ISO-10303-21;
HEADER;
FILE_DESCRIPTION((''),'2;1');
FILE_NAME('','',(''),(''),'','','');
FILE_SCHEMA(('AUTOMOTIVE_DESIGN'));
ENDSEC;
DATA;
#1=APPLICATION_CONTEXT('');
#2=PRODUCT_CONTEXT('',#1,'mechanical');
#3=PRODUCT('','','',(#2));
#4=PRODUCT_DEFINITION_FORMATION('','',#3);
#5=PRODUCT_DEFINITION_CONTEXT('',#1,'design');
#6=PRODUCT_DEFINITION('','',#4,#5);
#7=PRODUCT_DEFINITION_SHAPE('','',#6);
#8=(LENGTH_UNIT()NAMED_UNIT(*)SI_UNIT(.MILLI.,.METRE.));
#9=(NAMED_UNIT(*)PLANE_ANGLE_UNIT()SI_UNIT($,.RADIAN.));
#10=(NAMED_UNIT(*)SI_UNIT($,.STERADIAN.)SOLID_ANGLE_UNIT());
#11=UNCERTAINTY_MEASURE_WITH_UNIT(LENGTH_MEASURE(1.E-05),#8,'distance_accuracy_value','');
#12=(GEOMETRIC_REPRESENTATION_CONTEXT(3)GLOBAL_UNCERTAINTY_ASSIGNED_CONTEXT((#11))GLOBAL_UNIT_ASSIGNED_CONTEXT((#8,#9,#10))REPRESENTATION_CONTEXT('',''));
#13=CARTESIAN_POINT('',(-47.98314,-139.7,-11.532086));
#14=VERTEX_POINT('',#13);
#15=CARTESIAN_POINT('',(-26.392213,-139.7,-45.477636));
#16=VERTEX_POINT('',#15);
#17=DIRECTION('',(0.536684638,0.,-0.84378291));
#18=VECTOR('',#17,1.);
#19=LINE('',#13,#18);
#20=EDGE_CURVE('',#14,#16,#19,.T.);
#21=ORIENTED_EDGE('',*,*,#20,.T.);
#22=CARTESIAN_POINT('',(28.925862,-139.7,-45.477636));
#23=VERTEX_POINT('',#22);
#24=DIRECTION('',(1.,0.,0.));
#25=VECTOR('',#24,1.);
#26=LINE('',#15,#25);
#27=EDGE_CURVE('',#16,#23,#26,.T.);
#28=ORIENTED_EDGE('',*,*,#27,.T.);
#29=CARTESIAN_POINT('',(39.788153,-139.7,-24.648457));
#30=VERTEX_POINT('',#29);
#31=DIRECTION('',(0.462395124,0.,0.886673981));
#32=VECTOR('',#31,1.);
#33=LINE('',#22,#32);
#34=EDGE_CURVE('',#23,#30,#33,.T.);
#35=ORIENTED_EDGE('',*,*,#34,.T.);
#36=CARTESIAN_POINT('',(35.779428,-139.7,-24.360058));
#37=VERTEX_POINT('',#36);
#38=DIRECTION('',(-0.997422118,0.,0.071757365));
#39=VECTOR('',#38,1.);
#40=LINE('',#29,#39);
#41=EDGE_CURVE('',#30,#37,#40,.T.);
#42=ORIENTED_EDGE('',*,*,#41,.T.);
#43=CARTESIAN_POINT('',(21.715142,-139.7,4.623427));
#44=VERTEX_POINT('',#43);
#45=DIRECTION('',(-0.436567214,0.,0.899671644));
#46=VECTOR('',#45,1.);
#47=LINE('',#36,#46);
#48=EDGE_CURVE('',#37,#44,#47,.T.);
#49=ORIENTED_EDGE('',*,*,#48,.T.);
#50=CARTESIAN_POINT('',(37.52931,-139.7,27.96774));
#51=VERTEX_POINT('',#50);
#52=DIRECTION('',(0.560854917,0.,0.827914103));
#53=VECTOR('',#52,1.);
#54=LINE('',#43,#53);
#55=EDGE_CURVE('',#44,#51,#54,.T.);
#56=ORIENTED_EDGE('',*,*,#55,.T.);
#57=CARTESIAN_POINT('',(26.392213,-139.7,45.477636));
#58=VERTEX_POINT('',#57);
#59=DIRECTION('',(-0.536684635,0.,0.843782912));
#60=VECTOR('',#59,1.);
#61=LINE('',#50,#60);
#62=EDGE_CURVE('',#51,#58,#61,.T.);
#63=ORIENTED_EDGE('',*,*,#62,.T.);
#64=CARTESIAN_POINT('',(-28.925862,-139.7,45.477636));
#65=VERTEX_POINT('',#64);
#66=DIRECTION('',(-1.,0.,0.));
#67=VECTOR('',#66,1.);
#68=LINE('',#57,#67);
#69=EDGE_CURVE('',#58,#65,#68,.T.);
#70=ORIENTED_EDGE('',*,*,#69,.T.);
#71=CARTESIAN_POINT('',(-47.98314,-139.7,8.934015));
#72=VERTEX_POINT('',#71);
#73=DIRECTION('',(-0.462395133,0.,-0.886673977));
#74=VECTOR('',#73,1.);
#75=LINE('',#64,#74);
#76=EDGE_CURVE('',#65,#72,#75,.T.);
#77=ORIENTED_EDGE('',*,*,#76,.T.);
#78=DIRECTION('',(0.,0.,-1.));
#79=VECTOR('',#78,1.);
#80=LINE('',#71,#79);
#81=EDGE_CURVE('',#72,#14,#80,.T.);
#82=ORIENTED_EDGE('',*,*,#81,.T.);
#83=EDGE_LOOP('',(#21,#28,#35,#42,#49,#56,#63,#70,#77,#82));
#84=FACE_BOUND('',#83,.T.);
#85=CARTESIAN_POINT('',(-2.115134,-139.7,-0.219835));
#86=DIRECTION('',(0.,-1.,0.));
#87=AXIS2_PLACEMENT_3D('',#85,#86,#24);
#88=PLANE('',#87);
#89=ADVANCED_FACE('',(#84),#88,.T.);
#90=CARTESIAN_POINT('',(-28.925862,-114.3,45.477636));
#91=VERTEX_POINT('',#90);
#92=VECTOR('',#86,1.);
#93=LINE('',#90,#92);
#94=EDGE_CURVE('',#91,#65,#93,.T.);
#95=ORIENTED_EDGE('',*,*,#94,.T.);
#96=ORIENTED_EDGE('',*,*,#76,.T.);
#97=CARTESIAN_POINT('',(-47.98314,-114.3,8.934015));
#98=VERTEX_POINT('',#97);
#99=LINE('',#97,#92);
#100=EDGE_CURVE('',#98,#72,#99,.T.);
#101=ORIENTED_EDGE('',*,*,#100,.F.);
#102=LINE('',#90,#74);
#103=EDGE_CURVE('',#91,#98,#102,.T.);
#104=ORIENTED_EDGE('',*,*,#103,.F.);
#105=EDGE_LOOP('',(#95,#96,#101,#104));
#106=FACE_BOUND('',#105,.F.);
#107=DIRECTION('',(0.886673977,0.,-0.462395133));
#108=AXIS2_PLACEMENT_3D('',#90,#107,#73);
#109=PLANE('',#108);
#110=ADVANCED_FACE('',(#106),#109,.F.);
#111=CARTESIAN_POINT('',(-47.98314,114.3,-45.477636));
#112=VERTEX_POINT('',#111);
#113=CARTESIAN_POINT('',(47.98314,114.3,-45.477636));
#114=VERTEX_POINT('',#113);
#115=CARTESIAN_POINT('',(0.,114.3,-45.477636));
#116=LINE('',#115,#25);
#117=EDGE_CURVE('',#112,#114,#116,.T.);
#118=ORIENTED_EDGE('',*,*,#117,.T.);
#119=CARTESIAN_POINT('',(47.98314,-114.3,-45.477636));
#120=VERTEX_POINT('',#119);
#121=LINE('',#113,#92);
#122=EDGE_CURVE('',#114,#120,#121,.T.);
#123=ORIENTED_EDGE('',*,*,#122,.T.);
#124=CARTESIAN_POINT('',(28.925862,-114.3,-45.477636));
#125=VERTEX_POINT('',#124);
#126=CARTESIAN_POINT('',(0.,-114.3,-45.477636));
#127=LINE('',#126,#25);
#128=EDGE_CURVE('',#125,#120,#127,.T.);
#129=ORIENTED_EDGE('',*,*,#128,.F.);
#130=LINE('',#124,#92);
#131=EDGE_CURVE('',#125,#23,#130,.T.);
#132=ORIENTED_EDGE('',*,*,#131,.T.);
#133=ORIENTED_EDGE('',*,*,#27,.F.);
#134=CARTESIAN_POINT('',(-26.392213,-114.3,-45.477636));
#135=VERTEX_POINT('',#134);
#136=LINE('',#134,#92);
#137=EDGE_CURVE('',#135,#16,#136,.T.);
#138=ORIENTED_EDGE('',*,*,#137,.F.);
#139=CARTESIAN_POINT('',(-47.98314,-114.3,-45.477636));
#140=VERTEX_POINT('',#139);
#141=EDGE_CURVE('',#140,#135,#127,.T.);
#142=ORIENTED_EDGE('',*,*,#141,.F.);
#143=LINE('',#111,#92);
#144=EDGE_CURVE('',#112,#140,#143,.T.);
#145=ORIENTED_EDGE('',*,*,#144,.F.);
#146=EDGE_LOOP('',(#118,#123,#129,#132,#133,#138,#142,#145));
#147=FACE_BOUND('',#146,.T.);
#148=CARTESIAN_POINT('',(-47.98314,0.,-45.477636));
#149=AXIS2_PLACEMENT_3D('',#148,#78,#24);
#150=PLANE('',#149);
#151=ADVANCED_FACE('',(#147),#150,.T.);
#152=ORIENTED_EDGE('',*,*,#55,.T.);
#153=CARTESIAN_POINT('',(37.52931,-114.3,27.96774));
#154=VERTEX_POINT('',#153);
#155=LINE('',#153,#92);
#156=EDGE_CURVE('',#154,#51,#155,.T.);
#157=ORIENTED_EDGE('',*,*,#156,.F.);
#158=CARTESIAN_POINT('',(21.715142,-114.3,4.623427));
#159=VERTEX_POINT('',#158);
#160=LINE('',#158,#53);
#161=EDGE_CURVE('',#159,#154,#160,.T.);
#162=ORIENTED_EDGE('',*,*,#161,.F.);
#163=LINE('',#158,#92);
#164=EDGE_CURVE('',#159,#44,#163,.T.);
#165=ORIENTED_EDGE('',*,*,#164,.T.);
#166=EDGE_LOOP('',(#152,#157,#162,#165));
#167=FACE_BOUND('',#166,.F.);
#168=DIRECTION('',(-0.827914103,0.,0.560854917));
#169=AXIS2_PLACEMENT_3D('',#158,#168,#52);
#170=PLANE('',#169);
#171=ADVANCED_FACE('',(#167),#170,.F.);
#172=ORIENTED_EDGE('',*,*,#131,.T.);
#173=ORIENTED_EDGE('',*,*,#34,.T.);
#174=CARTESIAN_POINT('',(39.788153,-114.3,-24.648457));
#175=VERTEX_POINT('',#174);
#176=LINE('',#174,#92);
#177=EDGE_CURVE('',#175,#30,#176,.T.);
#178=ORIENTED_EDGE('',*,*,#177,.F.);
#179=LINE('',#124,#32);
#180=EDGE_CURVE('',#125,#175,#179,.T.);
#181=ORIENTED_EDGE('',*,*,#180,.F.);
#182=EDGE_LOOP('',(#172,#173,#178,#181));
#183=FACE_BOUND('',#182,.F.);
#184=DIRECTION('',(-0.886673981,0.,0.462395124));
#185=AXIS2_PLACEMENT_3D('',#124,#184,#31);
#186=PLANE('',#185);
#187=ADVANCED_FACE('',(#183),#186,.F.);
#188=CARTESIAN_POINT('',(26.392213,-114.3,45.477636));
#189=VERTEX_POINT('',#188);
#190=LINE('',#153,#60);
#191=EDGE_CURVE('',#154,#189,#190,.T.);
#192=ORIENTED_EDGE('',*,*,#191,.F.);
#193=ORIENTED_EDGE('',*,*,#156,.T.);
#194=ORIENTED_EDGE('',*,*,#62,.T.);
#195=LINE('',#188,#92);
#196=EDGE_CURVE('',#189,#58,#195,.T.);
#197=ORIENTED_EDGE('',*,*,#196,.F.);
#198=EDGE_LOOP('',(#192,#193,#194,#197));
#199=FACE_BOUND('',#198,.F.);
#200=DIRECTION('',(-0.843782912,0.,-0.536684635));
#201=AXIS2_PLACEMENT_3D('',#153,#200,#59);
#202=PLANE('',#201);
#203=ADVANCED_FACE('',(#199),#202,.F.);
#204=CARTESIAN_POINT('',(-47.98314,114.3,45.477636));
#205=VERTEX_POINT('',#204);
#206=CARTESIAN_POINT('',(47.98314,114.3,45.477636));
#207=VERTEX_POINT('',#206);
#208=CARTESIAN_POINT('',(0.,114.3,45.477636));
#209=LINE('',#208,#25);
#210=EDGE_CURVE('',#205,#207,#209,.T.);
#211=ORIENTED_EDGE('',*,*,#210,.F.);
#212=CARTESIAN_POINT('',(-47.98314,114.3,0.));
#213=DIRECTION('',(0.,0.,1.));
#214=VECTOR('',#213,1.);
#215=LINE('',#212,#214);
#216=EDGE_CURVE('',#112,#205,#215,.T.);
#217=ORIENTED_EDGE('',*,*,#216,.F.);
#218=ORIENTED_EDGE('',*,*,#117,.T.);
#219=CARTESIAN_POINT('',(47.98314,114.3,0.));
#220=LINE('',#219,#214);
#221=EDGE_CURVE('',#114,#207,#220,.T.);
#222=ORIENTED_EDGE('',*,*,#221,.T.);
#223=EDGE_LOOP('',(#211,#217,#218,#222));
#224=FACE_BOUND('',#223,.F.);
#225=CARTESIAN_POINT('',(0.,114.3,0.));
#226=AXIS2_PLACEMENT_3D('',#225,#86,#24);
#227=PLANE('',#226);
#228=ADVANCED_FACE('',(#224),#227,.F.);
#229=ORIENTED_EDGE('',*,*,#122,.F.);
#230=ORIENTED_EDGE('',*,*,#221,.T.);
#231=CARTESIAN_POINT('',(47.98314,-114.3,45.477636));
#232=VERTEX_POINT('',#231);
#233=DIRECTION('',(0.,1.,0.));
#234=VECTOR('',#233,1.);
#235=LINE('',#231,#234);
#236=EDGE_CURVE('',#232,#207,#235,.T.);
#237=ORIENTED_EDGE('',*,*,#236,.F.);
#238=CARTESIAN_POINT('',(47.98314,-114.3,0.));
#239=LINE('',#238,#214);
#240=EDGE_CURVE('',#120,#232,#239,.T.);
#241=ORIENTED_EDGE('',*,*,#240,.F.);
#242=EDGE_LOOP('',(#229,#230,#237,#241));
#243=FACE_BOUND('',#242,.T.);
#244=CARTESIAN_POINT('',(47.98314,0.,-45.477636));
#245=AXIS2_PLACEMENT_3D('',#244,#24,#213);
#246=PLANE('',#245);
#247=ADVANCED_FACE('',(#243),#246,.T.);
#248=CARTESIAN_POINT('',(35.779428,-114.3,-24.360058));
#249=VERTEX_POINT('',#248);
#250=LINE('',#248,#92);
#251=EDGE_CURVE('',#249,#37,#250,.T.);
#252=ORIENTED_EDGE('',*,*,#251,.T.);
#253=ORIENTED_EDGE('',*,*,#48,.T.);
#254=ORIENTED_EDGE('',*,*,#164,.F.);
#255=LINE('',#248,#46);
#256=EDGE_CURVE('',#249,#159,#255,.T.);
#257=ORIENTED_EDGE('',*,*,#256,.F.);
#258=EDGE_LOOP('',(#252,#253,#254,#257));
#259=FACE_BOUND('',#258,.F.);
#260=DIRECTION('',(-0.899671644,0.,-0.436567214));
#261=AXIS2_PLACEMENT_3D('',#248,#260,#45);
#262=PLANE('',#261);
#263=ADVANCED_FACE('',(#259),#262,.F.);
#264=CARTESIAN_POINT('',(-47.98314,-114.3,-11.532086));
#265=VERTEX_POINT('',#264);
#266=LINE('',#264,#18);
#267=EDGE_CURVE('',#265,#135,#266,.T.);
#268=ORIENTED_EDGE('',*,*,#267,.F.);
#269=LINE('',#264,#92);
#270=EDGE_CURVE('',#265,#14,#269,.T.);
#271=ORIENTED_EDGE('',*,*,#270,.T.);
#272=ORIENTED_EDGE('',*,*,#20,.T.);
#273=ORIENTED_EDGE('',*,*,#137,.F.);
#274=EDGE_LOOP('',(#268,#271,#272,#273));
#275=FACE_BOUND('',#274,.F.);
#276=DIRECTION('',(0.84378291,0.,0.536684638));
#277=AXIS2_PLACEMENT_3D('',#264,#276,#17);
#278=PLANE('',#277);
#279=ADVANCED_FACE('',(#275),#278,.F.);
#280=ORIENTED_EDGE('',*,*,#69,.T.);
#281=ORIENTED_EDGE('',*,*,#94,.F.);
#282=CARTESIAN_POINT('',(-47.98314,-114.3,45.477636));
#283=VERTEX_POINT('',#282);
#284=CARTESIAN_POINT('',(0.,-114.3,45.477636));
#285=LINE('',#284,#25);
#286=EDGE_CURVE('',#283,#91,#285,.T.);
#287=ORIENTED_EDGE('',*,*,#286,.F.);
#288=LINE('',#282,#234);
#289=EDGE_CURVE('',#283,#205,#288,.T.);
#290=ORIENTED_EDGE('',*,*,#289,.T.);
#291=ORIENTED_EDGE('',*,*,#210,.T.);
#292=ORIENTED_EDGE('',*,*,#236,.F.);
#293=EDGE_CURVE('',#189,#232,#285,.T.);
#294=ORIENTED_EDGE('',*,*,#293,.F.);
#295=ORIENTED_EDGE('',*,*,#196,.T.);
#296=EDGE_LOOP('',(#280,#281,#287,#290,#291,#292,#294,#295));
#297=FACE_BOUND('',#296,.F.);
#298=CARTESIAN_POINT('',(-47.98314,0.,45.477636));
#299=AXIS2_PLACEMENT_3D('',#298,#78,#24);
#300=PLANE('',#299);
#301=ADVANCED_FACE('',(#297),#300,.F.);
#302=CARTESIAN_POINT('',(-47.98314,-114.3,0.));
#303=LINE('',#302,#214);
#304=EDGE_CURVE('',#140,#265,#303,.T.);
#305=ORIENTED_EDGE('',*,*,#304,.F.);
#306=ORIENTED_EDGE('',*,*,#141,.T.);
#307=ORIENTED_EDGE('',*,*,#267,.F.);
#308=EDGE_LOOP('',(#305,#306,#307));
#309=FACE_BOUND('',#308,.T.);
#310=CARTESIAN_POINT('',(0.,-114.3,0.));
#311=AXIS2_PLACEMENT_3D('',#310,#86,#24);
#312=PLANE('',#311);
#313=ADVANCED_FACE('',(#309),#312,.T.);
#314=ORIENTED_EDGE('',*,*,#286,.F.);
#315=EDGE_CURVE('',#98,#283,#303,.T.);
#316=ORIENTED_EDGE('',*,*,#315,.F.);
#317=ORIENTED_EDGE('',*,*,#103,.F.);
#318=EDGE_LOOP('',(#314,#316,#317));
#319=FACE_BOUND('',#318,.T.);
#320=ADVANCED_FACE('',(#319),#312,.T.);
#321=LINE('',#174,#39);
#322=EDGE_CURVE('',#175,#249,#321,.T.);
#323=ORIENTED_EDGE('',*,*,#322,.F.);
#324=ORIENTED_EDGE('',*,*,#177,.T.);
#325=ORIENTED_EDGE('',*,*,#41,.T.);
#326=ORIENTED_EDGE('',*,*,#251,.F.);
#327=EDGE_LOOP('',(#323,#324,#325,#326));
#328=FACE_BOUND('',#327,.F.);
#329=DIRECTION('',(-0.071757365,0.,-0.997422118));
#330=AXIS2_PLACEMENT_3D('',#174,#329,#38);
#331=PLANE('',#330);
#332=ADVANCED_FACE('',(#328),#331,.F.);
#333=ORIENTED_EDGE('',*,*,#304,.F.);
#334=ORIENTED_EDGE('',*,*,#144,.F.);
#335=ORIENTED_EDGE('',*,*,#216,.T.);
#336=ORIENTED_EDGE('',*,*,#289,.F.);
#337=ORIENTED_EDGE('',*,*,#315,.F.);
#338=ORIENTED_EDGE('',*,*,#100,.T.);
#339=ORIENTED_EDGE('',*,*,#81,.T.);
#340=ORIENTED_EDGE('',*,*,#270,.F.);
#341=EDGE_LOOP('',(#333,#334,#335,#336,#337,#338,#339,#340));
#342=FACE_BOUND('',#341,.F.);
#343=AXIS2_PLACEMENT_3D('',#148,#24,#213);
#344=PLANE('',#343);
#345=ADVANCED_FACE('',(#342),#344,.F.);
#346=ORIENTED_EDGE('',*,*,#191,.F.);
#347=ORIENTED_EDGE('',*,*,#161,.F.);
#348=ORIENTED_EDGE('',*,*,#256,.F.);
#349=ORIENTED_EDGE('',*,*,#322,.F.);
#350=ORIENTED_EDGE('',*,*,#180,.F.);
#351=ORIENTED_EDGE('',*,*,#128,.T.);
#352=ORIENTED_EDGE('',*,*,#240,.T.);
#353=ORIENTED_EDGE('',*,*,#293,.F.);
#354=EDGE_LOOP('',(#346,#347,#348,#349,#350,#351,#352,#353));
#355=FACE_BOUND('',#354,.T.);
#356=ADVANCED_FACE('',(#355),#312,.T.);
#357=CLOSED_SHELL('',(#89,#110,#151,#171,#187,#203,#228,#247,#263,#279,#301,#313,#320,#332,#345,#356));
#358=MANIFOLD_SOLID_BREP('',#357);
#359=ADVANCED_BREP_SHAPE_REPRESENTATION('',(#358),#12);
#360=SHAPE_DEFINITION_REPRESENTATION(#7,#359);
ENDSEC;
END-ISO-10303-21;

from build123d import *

# Parameters (mm, degrees)
F0_W     = 95.96628
F0_H     = 90.955272
F1_DEPTH = 114.3
F3_DEPTH = 25.4


with BuildPart() as f1:
    # F0 (on Front) → F1 (new body, symmetric)
    with BuildSketch(Plane.XZ):
        Rectangle(F0_W, F0_H)
    extrude(amount=F1_DEPTH, both=True)

    # F2 (on face) → F3 (join)
    with BuildSketch(Plane.XZ.offset(114.3)):
        Polygon((-26.392213, -45.477636), (28.925862, -45.477636), (39.788153, -24.648457), (35.779428, -24.360058), (21.715142, 4.623427), (37.52931, 27.96774), (26.392213, 45.477636), (-28.925862, 45.477636), (-47.98314, 8.934015), (-47.98314, -11.532086), align=None)
    extrude(amount=F3_DEPTH)


solid = f1.part
